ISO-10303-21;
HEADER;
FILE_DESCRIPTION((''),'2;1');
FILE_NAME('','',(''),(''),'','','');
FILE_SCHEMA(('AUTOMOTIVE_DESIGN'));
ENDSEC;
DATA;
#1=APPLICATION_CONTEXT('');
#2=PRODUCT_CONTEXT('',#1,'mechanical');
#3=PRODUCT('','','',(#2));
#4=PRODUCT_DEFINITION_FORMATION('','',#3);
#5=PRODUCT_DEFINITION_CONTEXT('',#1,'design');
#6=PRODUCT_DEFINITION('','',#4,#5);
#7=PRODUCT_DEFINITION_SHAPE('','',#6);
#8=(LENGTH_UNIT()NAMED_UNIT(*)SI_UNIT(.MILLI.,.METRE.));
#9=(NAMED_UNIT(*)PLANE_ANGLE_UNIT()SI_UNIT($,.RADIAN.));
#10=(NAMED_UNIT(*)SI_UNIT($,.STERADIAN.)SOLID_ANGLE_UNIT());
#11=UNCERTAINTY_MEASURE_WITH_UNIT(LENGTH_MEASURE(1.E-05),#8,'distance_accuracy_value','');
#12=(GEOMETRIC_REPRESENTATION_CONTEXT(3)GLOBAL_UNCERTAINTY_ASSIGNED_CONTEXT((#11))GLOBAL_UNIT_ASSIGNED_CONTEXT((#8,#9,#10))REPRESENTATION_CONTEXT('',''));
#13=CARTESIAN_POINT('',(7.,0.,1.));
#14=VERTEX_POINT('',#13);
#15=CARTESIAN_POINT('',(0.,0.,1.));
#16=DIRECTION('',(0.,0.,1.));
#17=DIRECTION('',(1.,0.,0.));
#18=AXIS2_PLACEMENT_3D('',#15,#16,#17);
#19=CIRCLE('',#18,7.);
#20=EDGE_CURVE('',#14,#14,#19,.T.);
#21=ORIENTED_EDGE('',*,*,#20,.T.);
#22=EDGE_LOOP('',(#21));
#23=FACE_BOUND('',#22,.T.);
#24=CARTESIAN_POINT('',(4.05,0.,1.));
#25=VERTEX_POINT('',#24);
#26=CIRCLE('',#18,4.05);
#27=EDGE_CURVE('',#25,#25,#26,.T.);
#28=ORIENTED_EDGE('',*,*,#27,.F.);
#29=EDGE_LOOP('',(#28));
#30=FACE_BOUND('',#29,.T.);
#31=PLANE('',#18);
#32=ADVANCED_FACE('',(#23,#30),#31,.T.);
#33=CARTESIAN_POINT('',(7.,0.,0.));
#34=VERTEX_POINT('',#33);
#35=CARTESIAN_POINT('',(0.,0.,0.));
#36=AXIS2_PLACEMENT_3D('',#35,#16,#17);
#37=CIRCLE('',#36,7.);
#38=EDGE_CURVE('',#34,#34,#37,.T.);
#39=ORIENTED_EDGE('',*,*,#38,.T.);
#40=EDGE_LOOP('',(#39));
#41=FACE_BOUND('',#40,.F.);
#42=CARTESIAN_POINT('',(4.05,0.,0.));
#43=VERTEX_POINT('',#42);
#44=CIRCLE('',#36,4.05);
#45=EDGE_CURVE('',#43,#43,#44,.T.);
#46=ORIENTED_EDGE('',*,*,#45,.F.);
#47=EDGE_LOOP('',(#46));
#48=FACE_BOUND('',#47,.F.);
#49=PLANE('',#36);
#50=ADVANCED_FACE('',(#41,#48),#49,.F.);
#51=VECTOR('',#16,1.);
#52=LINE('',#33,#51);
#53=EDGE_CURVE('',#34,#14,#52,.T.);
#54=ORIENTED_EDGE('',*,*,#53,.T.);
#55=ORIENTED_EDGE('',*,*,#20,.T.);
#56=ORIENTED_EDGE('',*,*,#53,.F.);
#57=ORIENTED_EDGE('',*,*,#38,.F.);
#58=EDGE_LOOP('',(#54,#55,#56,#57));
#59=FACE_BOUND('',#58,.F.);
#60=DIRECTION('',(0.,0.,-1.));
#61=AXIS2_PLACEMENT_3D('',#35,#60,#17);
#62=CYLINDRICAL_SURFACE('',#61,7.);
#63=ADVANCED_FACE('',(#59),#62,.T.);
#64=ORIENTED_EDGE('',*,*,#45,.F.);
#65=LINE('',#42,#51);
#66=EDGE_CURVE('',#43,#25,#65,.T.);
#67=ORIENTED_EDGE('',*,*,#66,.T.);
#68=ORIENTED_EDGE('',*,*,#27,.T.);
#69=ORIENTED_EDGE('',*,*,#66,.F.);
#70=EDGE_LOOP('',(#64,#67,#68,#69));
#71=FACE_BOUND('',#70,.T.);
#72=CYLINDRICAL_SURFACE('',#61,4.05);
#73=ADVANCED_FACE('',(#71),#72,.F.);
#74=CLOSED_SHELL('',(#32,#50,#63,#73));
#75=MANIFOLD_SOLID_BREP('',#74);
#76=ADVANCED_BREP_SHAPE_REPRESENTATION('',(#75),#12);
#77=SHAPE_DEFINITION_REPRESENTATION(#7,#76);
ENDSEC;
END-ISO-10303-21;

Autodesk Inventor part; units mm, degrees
ref_plane "YZ Plane" through (0, 0, 0) normal (1, 0, 0) x (0, 1, 0)
ref_plane "XZ Plane" through (0, 0, 0) normal (0, 1, 0) x (-1, 0, 0)
ref_plane "XY Plane" through (0, 0, 0) normal (0, 0, 1) x (1, 0, 0)
sketch "スケッチ1" plane through (0, 0, 0) normal (0, 0, 1) x (1, 0, 0)
  circle A0 centre (0, 0) radius 4.05
  circle A1 centre (0, 0) radius 7
  dimension "d0" = 8.1
  dimension "d1" = 14
extrude "押し出し1" add sketch "スケッチ1" along normal blind 1
properties part number "TT-0814-10" material "アセタール樹脂、黒"
